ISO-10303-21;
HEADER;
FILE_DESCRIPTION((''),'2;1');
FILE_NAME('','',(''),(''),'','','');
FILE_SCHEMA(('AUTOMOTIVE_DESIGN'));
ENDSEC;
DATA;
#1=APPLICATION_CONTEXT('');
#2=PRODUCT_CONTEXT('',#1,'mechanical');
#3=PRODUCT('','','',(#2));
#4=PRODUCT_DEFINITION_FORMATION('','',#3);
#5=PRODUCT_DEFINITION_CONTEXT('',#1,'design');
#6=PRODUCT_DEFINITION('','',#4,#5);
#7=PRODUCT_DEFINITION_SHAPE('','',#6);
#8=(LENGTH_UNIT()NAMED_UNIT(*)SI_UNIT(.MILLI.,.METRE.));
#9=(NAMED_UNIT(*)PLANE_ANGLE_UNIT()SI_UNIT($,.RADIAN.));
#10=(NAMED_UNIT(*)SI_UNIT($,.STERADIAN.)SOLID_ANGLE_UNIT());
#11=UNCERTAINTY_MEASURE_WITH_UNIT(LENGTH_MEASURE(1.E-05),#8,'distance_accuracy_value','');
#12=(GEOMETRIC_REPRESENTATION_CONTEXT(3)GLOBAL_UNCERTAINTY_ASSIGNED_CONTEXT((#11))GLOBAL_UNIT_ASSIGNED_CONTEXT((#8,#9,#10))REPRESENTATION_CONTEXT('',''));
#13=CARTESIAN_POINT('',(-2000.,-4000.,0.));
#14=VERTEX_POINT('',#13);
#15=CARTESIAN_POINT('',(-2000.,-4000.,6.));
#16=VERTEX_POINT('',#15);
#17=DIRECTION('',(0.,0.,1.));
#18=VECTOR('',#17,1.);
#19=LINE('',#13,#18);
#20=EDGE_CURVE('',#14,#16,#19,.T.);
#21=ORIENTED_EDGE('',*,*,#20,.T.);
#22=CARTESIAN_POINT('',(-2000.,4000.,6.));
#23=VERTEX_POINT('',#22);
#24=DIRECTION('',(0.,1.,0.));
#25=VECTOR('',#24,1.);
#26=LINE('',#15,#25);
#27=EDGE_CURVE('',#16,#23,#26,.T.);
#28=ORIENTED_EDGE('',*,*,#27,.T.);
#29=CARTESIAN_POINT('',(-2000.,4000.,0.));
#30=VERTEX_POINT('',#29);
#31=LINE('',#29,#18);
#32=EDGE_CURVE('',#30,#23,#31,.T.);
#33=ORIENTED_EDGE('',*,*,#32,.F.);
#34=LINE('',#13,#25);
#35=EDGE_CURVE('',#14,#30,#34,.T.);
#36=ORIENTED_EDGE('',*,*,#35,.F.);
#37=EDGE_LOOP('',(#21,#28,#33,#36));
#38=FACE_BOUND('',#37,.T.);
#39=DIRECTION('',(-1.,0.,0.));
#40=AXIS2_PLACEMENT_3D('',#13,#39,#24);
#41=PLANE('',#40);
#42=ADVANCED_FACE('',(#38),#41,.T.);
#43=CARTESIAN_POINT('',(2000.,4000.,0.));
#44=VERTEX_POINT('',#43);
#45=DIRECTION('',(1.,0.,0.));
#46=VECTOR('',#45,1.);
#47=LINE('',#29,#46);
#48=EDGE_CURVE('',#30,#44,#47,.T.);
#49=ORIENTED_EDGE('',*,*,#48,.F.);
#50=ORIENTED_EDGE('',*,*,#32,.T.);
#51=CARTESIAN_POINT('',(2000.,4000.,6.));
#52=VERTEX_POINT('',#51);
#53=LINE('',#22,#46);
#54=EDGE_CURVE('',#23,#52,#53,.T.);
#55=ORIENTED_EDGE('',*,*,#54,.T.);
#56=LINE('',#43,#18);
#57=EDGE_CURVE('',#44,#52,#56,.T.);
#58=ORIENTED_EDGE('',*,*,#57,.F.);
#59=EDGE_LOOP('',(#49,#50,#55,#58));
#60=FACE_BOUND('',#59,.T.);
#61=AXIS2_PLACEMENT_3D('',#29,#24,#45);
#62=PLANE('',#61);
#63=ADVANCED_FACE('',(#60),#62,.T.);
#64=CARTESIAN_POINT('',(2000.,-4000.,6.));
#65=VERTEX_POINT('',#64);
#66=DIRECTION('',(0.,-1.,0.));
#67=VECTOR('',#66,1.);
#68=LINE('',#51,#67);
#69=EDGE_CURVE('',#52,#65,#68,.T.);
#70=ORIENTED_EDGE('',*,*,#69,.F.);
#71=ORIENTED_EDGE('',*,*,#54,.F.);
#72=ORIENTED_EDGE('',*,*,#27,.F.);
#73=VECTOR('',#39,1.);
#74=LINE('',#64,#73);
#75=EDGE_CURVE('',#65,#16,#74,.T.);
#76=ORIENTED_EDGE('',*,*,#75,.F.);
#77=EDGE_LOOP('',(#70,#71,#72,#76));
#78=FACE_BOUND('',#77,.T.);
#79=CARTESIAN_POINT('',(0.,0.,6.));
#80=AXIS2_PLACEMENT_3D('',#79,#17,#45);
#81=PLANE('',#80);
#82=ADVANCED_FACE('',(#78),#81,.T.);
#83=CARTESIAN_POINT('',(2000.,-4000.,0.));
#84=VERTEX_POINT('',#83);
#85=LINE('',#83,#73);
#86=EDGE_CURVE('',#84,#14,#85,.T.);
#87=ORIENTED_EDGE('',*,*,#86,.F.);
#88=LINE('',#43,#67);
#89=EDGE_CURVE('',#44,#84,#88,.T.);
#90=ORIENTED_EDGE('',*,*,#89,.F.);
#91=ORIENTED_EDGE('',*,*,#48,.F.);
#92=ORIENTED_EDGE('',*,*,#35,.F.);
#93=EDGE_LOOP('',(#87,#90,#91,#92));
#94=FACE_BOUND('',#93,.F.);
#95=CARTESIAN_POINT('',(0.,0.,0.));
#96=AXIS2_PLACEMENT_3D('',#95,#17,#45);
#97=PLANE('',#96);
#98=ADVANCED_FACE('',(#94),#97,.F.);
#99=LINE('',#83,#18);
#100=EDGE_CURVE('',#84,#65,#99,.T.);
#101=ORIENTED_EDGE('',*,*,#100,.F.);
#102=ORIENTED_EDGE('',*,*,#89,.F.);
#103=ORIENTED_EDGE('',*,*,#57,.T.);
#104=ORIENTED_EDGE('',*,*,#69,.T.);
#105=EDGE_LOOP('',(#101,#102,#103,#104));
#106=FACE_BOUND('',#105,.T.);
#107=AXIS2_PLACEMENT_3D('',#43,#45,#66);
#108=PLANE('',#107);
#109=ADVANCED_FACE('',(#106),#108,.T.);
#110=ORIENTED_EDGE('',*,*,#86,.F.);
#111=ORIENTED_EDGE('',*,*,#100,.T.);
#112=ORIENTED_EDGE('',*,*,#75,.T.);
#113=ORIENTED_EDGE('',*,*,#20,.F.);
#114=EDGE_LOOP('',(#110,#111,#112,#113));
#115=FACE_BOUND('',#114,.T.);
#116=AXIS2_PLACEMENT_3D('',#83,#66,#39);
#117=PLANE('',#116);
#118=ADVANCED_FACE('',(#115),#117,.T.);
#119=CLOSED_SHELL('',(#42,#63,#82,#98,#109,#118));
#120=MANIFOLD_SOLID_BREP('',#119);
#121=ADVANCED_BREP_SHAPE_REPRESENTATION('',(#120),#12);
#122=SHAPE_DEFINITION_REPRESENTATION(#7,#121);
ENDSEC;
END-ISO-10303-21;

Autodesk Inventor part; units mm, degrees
ref_plane "YZ Plane" through (0, 0, 0) normal (1, 0, 0) x (0, 1, 0)
ref_plane "XZ Plane" through (0, 0, 0) normal (0, 1, 0) x (-1, 0, 0)
ref_plane "XY Plane" through (0, 0, 0) normal (0, 0, 1) x (1, 0, 0)
sketch "Sketch1" plane through (0, 0, 0) normal (0, 0, 1) x (1, 0, 0)
  line L0 (2000, -4000) -> (-2000, -4000)
  line L1 (-2000, -4000) -> (-2000, 4000)
  line L2 (-2000, 4000) -> (2000, 4000)
  line L3 (2000, 4000) -> (2000, -4000)
  line L4 (2000, -4000) -> (-2000, 4000) construction
  line L5 (-2000, -4000) -> (2000, 4000) construction
  point P0 (0, 0)
  dimension "d0" = 4000
  dimension "d1" = 8000
extrude "Plate1" add sketch "Sketch1" along normal blind 6
equation "\"d2\" = Thickness"
equation "\"BendRadius\" = Thickness"
equation "\"BendReliefWidth\" = Thickness"
equation "\"BendReliefDepth\" = 0.5 * Thickness"
equation "\"CornerReliefSize\" = 4 * Thickness"
equation "\"MinimumRemnant\" = 2 * Thickness"
equation "\"TransitionRadius\" = BendRadius"
equation "\"JacobiRadiusSize\" = BendRadius"
equation "\"GapSize\" = Thickness"
equation "\"Thickness\" = 6"
